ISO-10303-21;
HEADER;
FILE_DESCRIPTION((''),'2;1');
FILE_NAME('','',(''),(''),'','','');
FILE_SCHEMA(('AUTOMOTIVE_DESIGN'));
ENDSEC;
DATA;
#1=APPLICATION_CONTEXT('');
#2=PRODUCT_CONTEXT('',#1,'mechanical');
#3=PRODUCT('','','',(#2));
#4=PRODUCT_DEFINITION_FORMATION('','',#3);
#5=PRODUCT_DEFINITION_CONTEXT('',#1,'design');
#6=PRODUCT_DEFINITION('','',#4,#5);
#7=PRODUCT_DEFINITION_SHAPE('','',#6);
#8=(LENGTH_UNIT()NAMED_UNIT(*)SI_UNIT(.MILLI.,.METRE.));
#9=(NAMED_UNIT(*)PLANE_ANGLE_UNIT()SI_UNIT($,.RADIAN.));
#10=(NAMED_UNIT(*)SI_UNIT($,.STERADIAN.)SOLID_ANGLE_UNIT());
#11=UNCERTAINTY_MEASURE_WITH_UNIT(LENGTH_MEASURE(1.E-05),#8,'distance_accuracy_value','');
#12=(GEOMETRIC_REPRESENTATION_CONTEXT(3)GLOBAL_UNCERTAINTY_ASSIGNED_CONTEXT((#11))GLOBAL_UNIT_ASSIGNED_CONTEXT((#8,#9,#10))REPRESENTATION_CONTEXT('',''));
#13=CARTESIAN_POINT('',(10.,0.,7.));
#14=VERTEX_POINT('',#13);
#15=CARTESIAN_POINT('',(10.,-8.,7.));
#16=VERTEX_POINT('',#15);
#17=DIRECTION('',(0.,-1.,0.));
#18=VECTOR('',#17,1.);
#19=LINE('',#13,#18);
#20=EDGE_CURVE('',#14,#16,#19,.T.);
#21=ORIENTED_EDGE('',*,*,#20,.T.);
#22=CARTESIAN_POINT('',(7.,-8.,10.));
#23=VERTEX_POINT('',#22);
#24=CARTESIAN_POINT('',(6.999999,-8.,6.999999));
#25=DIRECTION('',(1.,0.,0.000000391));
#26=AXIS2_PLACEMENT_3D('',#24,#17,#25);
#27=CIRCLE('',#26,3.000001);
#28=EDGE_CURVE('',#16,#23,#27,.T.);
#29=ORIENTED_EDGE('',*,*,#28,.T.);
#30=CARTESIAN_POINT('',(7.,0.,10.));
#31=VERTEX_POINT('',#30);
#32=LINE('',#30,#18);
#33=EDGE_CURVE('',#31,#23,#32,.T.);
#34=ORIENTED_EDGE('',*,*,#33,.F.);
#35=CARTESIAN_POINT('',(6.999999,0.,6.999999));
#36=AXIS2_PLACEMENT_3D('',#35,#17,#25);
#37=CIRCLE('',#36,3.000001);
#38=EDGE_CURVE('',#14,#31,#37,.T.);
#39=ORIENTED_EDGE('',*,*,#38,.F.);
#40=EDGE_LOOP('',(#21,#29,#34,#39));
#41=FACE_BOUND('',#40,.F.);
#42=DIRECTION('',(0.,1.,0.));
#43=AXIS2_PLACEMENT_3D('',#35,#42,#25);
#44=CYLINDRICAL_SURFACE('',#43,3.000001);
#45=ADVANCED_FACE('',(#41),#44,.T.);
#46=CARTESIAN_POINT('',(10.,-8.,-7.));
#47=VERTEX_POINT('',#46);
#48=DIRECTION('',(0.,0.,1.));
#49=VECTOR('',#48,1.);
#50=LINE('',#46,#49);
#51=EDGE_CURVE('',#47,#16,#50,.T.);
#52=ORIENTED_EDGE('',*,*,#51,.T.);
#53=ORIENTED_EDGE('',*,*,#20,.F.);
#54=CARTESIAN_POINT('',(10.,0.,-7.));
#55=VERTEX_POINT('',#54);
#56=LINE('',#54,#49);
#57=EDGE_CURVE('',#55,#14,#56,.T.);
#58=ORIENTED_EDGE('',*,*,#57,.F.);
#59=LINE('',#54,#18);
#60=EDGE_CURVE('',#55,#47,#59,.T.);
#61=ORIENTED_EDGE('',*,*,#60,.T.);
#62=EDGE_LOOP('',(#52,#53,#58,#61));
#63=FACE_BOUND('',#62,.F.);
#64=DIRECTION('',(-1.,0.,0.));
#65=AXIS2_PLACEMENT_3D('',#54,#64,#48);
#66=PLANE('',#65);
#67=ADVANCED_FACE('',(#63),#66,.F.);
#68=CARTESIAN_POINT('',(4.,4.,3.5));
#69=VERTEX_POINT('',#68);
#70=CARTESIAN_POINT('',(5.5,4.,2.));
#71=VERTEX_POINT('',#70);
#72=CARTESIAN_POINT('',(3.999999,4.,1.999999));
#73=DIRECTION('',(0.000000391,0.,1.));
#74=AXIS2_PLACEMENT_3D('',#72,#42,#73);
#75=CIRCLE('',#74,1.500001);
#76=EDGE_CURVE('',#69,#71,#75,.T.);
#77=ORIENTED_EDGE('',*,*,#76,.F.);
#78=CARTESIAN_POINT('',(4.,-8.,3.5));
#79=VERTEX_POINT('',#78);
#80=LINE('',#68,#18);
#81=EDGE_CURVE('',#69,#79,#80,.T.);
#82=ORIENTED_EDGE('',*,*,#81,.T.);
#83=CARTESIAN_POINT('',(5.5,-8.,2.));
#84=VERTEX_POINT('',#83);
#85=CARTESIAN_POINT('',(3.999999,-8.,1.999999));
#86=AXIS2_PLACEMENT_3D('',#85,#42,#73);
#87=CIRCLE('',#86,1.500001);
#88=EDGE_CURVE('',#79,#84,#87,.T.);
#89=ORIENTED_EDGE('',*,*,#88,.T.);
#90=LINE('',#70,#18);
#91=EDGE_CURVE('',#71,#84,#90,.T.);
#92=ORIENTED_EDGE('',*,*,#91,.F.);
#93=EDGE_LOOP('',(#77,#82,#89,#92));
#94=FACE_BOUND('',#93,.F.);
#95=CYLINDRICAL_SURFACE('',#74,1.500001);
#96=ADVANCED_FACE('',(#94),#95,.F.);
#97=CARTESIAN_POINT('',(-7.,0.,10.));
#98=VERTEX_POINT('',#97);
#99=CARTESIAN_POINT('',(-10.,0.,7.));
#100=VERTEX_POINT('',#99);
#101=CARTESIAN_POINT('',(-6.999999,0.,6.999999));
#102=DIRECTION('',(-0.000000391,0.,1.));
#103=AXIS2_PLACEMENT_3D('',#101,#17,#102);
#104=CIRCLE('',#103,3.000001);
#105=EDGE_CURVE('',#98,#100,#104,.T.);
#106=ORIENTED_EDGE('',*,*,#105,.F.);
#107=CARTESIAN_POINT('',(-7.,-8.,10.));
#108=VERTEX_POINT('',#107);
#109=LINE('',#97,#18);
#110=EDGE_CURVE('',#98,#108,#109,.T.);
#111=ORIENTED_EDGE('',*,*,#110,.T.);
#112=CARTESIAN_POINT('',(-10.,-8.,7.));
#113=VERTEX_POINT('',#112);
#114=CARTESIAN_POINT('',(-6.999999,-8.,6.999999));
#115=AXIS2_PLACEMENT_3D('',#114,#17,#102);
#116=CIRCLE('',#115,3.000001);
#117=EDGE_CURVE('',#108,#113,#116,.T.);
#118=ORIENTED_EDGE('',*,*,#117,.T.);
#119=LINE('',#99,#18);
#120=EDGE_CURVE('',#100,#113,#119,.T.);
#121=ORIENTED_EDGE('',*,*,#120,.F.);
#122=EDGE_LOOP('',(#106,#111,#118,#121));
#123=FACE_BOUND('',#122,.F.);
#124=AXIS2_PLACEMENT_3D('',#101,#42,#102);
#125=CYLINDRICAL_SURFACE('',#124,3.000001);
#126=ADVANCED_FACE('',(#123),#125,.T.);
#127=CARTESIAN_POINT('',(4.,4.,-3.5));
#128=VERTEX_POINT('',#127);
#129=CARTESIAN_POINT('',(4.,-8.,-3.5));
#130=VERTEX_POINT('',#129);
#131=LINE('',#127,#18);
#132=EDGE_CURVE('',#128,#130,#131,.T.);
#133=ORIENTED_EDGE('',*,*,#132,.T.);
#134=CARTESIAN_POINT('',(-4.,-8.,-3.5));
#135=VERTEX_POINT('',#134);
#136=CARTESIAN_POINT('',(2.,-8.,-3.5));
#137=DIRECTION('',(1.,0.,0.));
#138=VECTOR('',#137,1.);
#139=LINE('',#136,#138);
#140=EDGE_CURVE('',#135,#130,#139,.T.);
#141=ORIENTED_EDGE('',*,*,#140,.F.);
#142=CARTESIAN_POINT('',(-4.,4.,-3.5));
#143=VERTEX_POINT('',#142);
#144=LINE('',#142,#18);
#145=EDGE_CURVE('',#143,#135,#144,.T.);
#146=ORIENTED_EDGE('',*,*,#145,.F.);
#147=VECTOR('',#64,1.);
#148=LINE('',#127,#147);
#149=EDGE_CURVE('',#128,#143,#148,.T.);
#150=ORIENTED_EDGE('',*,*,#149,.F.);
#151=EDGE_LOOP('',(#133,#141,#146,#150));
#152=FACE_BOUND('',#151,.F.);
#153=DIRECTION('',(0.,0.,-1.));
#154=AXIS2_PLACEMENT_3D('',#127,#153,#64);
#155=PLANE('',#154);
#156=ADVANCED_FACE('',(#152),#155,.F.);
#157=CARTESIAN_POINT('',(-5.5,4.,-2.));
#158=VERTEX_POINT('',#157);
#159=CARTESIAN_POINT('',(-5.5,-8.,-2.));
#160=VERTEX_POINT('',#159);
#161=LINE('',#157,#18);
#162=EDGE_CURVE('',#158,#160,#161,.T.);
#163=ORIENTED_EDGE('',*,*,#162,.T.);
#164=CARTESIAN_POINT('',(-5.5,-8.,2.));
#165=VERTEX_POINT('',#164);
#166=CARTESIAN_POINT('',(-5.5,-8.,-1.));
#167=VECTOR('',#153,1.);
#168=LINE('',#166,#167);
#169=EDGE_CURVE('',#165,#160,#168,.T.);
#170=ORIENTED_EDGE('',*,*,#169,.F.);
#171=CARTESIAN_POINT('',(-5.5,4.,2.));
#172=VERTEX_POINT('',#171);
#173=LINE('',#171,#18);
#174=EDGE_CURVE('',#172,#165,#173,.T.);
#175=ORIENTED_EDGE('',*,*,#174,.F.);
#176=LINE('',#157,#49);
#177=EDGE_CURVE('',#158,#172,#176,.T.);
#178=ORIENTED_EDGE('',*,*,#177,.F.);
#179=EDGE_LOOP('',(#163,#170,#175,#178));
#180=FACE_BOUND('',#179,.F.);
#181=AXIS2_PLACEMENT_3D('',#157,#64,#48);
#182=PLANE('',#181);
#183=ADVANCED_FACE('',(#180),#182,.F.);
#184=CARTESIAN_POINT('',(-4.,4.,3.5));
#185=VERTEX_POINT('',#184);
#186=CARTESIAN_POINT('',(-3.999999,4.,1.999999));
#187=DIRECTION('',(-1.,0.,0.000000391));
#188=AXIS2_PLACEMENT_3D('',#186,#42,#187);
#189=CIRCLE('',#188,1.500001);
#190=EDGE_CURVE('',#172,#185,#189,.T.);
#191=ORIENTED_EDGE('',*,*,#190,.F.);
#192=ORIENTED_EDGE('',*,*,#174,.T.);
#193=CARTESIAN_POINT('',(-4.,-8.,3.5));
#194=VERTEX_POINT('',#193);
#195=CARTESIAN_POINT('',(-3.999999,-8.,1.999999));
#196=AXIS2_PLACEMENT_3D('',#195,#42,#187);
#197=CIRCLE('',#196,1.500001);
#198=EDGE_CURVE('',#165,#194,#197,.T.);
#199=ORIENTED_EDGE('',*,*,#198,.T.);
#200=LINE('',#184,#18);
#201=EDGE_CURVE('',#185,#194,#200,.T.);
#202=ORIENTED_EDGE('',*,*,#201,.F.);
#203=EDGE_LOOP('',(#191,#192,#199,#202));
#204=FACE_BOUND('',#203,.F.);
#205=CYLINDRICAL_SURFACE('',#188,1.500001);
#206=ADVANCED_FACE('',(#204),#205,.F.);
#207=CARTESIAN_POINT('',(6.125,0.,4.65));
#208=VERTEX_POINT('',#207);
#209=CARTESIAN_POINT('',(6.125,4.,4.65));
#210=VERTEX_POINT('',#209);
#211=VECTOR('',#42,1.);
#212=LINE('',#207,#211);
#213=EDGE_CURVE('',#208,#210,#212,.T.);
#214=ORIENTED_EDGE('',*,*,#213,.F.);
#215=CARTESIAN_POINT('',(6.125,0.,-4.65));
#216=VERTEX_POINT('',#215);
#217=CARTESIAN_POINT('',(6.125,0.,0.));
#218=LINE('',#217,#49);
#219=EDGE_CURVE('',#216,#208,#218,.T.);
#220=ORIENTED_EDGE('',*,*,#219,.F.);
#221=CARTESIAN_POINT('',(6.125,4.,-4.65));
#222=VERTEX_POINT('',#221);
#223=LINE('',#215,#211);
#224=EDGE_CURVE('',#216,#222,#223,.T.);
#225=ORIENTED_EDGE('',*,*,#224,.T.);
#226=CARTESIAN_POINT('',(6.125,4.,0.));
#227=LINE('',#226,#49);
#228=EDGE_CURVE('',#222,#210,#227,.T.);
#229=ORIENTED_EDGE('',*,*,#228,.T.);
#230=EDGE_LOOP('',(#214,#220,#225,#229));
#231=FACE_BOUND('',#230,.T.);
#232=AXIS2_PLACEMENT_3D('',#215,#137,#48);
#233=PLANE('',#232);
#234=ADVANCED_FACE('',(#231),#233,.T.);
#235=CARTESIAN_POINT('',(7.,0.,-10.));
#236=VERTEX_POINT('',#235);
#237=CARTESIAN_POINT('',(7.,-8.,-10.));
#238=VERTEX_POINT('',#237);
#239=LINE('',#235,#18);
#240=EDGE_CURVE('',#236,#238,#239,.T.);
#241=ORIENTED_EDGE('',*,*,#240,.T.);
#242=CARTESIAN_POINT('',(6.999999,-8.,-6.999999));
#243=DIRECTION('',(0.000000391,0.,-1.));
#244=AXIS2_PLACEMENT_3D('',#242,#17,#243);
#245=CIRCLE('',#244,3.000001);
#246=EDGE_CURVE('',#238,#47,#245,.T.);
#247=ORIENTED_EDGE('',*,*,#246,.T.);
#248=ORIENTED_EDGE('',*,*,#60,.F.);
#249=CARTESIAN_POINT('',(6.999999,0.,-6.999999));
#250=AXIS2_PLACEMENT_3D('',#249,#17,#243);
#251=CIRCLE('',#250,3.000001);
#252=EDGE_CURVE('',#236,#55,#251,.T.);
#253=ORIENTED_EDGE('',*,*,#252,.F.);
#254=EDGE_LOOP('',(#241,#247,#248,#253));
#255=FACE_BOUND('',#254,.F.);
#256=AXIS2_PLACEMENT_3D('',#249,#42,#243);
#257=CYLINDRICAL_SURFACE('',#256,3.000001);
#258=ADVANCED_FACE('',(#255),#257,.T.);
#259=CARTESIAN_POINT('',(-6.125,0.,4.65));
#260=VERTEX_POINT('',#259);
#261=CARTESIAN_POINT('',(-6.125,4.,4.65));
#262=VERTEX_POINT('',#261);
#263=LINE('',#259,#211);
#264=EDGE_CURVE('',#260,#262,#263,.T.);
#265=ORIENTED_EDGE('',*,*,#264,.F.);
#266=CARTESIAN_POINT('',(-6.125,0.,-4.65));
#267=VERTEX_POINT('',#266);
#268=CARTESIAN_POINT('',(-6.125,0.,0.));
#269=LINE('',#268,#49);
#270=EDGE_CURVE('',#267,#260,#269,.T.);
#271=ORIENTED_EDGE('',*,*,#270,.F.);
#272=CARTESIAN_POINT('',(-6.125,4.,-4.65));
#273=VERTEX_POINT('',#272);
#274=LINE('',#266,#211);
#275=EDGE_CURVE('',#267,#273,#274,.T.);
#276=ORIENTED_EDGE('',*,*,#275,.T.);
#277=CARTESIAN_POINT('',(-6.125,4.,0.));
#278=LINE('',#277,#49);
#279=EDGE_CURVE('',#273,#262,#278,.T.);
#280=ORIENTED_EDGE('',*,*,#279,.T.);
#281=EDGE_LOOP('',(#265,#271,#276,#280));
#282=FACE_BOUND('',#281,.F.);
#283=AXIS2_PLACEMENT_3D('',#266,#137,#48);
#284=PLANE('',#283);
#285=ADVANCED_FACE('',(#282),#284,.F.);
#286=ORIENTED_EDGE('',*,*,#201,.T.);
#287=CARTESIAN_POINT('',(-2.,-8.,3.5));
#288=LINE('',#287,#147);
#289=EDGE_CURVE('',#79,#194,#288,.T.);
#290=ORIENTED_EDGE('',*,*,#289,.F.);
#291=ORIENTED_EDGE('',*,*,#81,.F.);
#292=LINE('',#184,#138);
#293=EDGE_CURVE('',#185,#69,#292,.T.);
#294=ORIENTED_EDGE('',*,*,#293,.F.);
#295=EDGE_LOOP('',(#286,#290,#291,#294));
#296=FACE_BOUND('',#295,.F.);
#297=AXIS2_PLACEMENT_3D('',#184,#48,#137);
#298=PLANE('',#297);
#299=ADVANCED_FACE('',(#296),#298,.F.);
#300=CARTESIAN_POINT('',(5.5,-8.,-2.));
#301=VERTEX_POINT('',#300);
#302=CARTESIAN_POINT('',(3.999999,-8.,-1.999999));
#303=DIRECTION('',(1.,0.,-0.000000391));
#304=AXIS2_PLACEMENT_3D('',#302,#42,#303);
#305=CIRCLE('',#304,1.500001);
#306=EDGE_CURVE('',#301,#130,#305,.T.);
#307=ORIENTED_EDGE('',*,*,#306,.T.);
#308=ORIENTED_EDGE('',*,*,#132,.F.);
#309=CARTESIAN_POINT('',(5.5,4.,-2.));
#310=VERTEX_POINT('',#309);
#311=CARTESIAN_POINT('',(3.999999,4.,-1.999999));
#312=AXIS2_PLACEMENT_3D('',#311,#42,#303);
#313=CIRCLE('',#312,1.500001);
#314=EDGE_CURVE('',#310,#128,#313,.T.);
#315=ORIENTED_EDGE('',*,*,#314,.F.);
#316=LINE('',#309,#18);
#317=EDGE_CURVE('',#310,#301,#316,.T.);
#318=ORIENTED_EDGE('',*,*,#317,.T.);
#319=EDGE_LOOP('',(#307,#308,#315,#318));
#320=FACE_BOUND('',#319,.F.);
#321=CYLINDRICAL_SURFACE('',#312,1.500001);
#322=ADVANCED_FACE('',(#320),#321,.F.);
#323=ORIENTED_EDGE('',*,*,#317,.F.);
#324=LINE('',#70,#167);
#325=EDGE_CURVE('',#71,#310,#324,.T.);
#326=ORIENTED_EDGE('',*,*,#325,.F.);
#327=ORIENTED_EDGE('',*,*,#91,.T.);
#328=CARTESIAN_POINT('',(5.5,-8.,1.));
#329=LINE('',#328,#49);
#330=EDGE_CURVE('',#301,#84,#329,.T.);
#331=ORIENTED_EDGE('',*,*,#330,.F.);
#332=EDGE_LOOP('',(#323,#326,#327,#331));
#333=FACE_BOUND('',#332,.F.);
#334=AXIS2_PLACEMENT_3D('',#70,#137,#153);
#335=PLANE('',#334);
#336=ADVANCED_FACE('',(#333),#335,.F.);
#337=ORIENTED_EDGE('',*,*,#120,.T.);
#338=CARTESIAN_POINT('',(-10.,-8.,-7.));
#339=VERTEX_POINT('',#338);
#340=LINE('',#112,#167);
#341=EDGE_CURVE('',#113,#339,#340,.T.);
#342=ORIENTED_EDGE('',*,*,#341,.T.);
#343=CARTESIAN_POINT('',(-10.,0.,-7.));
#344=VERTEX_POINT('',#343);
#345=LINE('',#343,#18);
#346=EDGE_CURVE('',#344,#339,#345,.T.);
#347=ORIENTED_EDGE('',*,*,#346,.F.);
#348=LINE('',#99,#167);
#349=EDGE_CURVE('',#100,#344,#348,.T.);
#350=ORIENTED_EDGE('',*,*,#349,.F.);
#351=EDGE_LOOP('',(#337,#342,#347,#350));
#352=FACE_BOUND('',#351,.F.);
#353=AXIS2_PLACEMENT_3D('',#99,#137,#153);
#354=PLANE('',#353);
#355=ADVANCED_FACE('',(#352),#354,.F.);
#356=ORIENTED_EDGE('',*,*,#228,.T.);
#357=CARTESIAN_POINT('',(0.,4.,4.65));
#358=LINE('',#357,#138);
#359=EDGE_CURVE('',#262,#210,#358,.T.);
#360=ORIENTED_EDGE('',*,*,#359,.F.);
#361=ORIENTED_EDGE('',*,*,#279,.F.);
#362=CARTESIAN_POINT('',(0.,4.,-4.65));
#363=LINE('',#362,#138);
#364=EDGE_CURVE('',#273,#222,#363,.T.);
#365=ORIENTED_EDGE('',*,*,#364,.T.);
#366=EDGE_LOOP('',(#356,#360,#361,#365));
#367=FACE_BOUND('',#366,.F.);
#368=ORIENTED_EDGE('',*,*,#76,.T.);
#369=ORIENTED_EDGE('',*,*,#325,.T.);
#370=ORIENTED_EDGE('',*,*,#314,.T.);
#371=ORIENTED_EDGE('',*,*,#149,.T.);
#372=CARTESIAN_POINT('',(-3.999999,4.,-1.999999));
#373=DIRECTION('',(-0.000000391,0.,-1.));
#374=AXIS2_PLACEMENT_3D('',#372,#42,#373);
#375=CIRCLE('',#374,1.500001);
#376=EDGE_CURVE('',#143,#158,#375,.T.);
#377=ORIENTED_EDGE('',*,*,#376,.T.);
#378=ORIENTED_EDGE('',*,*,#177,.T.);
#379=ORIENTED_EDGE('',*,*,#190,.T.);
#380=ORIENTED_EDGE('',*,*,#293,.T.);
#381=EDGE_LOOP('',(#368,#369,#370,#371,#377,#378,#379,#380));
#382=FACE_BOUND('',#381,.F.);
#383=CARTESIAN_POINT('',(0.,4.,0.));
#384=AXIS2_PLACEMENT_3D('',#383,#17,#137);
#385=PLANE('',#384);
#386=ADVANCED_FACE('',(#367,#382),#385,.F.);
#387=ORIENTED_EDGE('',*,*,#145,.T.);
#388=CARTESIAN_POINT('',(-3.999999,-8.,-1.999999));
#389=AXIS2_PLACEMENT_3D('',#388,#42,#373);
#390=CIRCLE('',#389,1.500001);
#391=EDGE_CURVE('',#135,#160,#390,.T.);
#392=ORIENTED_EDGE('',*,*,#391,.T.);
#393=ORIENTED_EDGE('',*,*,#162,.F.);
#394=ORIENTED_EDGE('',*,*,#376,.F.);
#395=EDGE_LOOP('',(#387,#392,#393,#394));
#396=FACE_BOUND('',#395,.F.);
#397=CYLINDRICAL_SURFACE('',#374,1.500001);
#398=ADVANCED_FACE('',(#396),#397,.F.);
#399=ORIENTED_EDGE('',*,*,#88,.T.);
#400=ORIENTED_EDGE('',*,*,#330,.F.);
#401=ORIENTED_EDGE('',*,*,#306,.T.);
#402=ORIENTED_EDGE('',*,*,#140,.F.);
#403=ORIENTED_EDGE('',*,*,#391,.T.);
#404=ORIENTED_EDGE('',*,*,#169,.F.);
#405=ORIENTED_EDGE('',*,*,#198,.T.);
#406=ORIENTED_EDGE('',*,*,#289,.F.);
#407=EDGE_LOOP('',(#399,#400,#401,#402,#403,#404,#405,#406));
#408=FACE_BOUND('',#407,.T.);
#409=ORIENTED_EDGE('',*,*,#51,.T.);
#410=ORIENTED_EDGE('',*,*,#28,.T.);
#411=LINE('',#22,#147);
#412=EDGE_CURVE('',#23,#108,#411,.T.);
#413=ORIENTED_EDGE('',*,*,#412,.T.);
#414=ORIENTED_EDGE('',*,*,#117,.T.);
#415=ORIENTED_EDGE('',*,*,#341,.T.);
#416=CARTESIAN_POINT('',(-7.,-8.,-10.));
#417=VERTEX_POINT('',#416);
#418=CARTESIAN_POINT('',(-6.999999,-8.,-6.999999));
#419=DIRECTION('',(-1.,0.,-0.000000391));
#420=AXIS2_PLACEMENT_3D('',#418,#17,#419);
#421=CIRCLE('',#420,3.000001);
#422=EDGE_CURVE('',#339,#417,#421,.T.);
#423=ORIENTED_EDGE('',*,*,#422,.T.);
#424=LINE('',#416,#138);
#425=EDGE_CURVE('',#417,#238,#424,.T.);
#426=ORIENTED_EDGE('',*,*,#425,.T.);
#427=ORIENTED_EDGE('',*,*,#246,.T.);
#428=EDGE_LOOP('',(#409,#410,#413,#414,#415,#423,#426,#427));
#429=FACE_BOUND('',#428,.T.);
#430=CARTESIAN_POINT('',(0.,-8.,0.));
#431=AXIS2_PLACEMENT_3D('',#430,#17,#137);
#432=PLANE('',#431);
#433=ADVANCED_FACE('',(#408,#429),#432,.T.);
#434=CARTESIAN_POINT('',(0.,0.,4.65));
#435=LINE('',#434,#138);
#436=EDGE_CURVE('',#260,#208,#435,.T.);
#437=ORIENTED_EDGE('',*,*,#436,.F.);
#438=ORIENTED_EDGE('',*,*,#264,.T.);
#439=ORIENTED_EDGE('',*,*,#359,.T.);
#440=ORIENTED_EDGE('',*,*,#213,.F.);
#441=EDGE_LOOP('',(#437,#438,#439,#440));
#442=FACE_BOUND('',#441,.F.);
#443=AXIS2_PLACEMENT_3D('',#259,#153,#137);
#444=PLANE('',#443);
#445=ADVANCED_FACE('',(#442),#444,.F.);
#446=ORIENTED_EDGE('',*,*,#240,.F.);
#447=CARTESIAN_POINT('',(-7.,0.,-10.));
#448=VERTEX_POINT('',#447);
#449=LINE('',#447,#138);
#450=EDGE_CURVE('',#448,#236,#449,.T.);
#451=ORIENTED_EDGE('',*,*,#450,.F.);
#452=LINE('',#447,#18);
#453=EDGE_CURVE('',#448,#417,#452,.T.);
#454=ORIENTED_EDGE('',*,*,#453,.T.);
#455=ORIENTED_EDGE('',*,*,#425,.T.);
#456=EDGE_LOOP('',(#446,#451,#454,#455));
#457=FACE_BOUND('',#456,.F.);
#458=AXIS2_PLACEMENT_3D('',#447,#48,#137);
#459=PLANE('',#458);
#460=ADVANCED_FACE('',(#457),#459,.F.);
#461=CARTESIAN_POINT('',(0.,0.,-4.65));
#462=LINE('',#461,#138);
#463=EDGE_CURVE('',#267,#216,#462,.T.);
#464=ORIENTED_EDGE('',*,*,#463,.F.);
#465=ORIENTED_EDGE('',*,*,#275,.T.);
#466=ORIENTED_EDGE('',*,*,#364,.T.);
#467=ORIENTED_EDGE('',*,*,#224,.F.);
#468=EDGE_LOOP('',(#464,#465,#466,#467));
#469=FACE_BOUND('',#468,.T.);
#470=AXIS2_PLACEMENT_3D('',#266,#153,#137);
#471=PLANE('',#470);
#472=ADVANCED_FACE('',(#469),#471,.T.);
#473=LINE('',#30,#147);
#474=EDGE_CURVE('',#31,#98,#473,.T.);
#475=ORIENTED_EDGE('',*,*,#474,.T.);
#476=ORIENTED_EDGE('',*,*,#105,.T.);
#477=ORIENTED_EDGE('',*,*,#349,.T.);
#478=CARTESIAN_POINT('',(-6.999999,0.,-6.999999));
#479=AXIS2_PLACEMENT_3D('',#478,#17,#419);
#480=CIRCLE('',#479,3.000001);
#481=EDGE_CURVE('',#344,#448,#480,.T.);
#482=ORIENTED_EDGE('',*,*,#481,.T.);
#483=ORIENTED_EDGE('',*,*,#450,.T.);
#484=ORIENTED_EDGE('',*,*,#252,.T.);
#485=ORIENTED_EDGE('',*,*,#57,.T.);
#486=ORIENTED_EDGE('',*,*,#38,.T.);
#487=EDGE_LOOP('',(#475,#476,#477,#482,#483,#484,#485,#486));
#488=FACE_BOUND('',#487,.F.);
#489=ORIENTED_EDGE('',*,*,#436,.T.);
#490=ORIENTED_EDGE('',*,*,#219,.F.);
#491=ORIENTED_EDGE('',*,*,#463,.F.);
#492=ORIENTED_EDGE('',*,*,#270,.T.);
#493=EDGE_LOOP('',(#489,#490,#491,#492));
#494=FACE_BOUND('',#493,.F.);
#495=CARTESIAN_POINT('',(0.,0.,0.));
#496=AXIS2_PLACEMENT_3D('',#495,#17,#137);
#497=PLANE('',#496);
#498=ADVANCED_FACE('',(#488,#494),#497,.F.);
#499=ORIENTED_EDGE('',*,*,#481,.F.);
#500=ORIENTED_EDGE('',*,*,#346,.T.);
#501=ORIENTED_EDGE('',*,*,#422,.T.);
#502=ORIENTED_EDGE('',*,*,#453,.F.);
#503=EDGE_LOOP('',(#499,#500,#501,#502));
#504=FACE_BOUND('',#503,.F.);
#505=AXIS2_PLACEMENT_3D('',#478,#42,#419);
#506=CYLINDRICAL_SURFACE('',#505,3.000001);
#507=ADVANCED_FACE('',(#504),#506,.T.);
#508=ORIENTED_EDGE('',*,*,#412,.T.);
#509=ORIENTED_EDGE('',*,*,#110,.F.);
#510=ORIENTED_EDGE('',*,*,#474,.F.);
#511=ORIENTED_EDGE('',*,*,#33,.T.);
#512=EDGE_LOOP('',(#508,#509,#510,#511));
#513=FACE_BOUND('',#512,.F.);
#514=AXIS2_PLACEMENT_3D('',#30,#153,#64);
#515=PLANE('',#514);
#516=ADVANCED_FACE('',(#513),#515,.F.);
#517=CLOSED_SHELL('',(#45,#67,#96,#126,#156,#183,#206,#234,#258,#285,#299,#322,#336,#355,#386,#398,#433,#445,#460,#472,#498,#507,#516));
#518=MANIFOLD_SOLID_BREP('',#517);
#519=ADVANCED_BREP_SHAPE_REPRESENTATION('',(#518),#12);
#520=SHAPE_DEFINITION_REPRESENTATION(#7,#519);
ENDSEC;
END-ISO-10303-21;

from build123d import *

# Parameters (mm, degrees)
F1_DEPTH = 8
F2_W     = 12.25
F2_H     = 9.3
F3_DEPTH = 4
F5_DEPTH = 25


with BuildPart() as f1:
    # F0 (on Front) → F1 (new body)
    with BuildSketch(Plane.XZ):
        with BuildLine():
            ThreePointArc((10, 7), (9.12132, 9.12132), (7, 10))
            Line((7, 10), (-7, 10))
            ThreePointArc((-7, 10), (-9.12132, 9.12132), (-10, 7))
            Line((-10, 7), (-10, -7))
            ThreePointArc((-10, -7), (-9.12132, -9.12132), (-7, -10))
            Line((-7, -10), (7, -10))
            ThreePointArc((7, -10), (9.12132, -9.12132), (10, -7))
            Line((10, -7), (10, 7))
        make_face()
    extrude(amount=F1_DEPTH)

    # F2 (on Front) → F3 (join)
    with BuildSketch(Plane.XZ):
        Rectangle(F2_W, F2_H)
    extrude(amount=-F3_DEPTH)

    # F4 (on face) → F5 (cut)
    with BuildSketch(Plane(origin=(0, 4, 0), x_dir=(-1, 0, 0), z_dir=(0, 1, 0))):
        with BuildLine():
            ThreePointArc((5.5, 2), (5.06066, 3.06066), (4, 3.5))
            Line((4, 3.5), (-4, 3.5))
            ThreePointArc((-4, 3.5), (-5.06066, 3.06066), (-5.5, 2))
            Line((-5.5, 2), (-5.5, -2))
            ThreePointArc((-5.5, -2), (-5.06066, -3.06066), (-4, -3.5))
            Line((-4, -3.5), (4, -3.5))
            ThreePointArc((4, -3.5), (5.06066, -3.06066), (5.5, -2))
            Line((5.5, -2), (5.5, 2))
        make_face()
    extrude(amount=-F5_DEPTH, mode=Mode.SUBTRACT)


solid = f1.part
